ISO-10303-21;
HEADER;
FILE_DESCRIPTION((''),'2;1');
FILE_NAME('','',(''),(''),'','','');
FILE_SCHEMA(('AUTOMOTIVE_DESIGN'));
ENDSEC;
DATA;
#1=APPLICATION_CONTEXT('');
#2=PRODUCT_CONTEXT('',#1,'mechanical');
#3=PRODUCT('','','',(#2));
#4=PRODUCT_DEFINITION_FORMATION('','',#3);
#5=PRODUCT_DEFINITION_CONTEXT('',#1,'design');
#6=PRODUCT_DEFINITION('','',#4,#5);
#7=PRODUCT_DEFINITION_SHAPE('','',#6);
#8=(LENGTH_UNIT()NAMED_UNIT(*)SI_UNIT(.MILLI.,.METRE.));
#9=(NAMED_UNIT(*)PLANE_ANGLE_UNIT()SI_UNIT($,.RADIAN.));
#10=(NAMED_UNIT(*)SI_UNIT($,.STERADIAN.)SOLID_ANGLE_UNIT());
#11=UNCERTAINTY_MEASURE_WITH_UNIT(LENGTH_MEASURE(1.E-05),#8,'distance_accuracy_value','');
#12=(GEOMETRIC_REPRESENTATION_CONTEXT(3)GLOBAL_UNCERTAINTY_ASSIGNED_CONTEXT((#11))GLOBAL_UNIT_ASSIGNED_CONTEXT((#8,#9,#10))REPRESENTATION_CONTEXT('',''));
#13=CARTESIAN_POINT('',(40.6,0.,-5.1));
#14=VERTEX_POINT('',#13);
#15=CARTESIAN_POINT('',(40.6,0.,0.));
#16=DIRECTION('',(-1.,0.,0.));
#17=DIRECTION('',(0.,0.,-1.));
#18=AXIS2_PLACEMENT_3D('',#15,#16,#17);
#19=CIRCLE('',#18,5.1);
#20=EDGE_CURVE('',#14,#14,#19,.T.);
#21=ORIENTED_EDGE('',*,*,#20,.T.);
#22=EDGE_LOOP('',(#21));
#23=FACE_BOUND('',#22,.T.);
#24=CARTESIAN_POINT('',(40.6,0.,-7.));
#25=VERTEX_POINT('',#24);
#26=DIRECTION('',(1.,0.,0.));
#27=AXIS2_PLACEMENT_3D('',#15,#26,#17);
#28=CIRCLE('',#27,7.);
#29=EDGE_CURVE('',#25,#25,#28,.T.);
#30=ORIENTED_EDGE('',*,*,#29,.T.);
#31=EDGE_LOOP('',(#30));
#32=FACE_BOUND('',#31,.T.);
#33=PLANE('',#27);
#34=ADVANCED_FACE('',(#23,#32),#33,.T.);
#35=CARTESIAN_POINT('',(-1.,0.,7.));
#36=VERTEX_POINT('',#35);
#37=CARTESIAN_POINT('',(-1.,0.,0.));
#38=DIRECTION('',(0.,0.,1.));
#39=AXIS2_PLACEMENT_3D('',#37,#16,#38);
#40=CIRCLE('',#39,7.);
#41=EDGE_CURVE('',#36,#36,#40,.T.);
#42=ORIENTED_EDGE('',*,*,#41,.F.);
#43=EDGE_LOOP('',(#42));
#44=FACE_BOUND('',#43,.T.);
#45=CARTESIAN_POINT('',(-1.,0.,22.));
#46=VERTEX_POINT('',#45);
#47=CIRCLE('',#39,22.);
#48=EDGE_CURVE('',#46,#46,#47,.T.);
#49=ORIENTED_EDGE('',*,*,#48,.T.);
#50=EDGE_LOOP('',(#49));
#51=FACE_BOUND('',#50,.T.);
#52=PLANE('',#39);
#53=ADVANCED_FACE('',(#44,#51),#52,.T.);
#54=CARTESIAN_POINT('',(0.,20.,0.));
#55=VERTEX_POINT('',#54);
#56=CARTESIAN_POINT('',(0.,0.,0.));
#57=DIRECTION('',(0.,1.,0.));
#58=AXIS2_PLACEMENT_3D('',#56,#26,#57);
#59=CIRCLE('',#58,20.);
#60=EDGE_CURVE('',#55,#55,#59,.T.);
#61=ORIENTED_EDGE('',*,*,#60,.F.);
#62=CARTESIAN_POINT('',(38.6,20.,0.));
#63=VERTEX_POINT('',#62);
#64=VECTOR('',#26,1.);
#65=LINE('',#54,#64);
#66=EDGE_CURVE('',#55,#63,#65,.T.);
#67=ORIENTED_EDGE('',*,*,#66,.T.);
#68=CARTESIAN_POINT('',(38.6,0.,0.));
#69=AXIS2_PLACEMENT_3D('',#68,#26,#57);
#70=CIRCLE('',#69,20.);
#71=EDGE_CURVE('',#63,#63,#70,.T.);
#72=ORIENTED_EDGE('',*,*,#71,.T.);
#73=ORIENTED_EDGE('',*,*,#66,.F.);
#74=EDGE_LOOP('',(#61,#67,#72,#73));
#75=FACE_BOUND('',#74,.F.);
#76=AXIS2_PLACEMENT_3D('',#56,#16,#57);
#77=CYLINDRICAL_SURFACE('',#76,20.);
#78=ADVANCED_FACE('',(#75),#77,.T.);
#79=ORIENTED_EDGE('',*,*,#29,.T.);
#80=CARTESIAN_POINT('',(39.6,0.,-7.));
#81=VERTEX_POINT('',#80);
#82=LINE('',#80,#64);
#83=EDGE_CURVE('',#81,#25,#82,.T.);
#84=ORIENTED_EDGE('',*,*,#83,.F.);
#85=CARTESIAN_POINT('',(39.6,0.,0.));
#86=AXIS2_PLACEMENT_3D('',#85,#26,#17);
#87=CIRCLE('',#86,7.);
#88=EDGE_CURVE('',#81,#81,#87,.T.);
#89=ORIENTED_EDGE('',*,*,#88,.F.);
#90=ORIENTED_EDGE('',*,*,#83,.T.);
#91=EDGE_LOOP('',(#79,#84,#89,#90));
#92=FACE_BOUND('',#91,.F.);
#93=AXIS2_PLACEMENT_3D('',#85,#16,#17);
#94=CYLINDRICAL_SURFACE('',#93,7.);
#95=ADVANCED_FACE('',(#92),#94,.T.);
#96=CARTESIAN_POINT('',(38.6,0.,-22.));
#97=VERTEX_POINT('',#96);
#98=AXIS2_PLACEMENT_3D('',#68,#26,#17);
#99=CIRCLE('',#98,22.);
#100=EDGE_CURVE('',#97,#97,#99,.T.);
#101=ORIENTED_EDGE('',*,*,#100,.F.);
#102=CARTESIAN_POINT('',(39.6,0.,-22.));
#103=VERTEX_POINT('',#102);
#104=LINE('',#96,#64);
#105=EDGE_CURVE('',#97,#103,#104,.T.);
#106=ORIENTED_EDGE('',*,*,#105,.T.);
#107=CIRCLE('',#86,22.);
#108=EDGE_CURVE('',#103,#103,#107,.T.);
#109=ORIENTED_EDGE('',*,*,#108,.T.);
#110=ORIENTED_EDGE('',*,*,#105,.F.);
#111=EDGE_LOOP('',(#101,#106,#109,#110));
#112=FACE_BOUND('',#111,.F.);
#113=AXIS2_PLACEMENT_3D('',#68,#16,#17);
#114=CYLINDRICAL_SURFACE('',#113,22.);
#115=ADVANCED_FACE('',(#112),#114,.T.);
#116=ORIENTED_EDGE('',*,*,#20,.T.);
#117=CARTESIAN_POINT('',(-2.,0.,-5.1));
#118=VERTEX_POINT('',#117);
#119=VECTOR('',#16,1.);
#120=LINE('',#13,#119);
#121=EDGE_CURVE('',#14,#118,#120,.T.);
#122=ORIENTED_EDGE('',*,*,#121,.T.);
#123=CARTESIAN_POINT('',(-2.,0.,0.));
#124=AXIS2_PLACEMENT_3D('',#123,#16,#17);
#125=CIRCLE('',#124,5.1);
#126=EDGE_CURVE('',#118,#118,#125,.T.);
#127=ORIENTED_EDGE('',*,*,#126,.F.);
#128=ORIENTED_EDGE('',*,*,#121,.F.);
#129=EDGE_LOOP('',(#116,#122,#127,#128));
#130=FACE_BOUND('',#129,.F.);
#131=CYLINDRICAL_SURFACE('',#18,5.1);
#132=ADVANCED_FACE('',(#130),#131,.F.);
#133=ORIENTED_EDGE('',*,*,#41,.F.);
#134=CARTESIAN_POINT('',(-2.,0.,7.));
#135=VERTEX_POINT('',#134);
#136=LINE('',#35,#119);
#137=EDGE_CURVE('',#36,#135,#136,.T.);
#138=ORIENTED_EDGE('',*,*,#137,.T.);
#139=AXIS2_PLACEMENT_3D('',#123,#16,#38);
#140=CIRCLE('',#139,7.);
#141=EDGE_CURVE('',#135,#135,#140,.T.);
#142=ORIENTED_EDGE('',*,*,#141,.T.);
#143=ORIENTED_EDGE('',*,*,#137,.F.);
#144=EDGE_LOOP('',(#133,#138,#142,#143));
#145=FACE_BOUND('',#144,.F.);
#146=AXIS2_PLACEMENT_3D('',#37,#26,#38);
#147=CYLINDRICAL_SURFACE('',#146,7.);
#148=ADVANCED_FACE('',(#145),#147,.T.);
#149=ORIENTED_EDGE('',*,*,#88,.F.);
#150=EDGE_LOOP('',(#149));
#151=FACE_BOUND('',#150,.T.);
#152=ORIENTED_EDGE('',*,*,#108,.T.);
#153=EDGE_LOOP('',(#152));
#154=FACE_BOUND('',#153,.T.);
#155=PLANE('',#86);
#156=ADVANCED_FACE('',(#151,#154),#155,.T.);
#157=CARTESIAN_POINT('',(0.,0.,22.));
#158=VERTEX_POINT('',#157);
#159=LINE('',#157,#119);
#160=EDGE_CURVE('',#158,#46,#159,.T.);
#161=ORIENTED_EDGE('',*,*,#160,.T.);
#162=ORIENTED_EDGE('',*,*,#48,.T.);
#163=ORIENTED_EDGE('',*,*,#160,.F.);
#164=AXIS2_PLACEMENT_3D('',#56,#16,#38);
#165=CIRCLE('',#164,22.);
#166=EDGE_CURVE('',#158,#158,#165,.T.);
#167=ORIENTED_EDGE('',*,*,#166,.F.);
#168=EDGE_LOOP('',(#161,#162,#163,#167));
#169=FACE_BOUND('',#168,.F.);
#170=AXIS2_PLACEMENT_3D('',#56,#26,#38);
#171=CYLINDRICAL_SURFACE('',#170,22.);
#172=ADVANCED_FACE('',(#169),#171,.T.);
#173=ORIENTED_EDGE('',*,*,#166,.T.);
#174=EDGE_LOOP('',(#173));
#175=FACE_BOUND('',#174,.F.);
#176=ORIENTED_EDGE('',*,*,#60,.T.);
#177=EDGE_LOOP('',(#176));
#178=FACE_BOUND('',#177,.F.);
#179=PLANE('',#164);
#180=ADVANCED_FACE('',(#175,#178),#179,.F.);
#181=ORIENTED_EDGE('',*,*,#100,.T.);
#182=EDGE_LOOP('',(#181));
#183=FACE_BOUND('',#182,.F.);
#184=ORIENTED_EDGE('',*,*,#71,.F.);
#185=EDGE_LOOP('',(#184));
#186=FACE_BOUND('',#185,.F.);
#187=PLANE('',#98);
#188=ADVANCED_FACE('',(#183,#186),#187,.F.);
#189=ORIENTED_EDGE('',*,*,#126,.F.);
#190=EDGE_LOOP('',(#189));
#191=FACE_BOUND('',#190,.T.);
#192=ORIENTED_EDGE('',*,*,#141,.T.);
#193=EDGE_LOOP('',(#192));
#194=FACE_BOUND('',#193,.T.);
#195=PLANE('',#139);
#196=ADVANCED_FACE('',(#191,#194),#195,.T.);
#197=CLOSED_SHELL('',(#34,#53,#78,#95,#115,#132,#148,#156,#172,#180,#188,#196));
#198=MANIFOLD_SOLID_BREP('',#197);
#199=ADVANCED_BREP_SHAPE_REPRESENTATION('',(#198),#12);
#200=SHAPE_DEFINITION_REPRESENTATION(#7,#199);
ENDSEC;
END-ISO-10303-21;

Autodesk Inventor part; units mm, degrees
ref_plane "YZ Plane" through (0, 0, 0) normal (1, 0, 0) x (0, 1, 0)
ref_plane "XZ Plane" through (0, 0, 0) normal (0, 1, 0) x (-1, 0, 0)
ref_plane "XY Plane" through (0, 0, 0) normal (0, 0, 1) x (1, 0, 0)
sketch "スケッチ1" plane through (0, 0, 0) normal (1, 0, 0) x (0, 1, 0)
  circle A0 centre (0, 0) radius 20
  dimension "d0" = 40
extrude "押し出し1" add sketch "スケッチ1" along normal blind 38.6
sketch "スケッチ2" plane through (38.6, 0, 0) normal (1, 0, 0) x (0, 0, -1)
  circle A0 centre (0, 0) radius 22
  dimension "d3" = 44
extrude "押し出し2" add sketch "スケッチ2" along normal blind 1
sketch "スケッチ3" plane through (39.6, 0, 0) normal (1, 0, 0) x (0, 0, -1)
  circle A0 centre (0, 0) radius 7
  dimension "d6" = 14
extrude "押し出し3" add sketch "スケッチ3" along normal blind 1
sketch "スケッチ4" plane through (0, 0, 0) normal (-1, 0, 0) x (0, 0, 1)
  circle A0 centre (0, 0) radius 22
  dimension "d9" = 44
extrude "押し出し4" add sketch "スケッチ4" along normal blind 1
sketch "スケッチ5" plane through (-1, 0, 0) normal (-1, 0, 0) x (0, 0, 1)
  circle A0 centre (0, 0) radius 7
  dimension "d12" = 14
extrude "押し出し5" add sketch "スケッチ5" along normal blind 1
sketch "スケッチ6" plane through (40.6, 0, 0) normal (1, 0, 0) x (0, 0, -1)
  circle A0 centre (0, 0) radius 7 projected
hole "穴1" at (40.6, 0, 0) direction (-1, 0, 0) diameter 10.2 end through all
properties part number "CLS_typeC_31.4N"
